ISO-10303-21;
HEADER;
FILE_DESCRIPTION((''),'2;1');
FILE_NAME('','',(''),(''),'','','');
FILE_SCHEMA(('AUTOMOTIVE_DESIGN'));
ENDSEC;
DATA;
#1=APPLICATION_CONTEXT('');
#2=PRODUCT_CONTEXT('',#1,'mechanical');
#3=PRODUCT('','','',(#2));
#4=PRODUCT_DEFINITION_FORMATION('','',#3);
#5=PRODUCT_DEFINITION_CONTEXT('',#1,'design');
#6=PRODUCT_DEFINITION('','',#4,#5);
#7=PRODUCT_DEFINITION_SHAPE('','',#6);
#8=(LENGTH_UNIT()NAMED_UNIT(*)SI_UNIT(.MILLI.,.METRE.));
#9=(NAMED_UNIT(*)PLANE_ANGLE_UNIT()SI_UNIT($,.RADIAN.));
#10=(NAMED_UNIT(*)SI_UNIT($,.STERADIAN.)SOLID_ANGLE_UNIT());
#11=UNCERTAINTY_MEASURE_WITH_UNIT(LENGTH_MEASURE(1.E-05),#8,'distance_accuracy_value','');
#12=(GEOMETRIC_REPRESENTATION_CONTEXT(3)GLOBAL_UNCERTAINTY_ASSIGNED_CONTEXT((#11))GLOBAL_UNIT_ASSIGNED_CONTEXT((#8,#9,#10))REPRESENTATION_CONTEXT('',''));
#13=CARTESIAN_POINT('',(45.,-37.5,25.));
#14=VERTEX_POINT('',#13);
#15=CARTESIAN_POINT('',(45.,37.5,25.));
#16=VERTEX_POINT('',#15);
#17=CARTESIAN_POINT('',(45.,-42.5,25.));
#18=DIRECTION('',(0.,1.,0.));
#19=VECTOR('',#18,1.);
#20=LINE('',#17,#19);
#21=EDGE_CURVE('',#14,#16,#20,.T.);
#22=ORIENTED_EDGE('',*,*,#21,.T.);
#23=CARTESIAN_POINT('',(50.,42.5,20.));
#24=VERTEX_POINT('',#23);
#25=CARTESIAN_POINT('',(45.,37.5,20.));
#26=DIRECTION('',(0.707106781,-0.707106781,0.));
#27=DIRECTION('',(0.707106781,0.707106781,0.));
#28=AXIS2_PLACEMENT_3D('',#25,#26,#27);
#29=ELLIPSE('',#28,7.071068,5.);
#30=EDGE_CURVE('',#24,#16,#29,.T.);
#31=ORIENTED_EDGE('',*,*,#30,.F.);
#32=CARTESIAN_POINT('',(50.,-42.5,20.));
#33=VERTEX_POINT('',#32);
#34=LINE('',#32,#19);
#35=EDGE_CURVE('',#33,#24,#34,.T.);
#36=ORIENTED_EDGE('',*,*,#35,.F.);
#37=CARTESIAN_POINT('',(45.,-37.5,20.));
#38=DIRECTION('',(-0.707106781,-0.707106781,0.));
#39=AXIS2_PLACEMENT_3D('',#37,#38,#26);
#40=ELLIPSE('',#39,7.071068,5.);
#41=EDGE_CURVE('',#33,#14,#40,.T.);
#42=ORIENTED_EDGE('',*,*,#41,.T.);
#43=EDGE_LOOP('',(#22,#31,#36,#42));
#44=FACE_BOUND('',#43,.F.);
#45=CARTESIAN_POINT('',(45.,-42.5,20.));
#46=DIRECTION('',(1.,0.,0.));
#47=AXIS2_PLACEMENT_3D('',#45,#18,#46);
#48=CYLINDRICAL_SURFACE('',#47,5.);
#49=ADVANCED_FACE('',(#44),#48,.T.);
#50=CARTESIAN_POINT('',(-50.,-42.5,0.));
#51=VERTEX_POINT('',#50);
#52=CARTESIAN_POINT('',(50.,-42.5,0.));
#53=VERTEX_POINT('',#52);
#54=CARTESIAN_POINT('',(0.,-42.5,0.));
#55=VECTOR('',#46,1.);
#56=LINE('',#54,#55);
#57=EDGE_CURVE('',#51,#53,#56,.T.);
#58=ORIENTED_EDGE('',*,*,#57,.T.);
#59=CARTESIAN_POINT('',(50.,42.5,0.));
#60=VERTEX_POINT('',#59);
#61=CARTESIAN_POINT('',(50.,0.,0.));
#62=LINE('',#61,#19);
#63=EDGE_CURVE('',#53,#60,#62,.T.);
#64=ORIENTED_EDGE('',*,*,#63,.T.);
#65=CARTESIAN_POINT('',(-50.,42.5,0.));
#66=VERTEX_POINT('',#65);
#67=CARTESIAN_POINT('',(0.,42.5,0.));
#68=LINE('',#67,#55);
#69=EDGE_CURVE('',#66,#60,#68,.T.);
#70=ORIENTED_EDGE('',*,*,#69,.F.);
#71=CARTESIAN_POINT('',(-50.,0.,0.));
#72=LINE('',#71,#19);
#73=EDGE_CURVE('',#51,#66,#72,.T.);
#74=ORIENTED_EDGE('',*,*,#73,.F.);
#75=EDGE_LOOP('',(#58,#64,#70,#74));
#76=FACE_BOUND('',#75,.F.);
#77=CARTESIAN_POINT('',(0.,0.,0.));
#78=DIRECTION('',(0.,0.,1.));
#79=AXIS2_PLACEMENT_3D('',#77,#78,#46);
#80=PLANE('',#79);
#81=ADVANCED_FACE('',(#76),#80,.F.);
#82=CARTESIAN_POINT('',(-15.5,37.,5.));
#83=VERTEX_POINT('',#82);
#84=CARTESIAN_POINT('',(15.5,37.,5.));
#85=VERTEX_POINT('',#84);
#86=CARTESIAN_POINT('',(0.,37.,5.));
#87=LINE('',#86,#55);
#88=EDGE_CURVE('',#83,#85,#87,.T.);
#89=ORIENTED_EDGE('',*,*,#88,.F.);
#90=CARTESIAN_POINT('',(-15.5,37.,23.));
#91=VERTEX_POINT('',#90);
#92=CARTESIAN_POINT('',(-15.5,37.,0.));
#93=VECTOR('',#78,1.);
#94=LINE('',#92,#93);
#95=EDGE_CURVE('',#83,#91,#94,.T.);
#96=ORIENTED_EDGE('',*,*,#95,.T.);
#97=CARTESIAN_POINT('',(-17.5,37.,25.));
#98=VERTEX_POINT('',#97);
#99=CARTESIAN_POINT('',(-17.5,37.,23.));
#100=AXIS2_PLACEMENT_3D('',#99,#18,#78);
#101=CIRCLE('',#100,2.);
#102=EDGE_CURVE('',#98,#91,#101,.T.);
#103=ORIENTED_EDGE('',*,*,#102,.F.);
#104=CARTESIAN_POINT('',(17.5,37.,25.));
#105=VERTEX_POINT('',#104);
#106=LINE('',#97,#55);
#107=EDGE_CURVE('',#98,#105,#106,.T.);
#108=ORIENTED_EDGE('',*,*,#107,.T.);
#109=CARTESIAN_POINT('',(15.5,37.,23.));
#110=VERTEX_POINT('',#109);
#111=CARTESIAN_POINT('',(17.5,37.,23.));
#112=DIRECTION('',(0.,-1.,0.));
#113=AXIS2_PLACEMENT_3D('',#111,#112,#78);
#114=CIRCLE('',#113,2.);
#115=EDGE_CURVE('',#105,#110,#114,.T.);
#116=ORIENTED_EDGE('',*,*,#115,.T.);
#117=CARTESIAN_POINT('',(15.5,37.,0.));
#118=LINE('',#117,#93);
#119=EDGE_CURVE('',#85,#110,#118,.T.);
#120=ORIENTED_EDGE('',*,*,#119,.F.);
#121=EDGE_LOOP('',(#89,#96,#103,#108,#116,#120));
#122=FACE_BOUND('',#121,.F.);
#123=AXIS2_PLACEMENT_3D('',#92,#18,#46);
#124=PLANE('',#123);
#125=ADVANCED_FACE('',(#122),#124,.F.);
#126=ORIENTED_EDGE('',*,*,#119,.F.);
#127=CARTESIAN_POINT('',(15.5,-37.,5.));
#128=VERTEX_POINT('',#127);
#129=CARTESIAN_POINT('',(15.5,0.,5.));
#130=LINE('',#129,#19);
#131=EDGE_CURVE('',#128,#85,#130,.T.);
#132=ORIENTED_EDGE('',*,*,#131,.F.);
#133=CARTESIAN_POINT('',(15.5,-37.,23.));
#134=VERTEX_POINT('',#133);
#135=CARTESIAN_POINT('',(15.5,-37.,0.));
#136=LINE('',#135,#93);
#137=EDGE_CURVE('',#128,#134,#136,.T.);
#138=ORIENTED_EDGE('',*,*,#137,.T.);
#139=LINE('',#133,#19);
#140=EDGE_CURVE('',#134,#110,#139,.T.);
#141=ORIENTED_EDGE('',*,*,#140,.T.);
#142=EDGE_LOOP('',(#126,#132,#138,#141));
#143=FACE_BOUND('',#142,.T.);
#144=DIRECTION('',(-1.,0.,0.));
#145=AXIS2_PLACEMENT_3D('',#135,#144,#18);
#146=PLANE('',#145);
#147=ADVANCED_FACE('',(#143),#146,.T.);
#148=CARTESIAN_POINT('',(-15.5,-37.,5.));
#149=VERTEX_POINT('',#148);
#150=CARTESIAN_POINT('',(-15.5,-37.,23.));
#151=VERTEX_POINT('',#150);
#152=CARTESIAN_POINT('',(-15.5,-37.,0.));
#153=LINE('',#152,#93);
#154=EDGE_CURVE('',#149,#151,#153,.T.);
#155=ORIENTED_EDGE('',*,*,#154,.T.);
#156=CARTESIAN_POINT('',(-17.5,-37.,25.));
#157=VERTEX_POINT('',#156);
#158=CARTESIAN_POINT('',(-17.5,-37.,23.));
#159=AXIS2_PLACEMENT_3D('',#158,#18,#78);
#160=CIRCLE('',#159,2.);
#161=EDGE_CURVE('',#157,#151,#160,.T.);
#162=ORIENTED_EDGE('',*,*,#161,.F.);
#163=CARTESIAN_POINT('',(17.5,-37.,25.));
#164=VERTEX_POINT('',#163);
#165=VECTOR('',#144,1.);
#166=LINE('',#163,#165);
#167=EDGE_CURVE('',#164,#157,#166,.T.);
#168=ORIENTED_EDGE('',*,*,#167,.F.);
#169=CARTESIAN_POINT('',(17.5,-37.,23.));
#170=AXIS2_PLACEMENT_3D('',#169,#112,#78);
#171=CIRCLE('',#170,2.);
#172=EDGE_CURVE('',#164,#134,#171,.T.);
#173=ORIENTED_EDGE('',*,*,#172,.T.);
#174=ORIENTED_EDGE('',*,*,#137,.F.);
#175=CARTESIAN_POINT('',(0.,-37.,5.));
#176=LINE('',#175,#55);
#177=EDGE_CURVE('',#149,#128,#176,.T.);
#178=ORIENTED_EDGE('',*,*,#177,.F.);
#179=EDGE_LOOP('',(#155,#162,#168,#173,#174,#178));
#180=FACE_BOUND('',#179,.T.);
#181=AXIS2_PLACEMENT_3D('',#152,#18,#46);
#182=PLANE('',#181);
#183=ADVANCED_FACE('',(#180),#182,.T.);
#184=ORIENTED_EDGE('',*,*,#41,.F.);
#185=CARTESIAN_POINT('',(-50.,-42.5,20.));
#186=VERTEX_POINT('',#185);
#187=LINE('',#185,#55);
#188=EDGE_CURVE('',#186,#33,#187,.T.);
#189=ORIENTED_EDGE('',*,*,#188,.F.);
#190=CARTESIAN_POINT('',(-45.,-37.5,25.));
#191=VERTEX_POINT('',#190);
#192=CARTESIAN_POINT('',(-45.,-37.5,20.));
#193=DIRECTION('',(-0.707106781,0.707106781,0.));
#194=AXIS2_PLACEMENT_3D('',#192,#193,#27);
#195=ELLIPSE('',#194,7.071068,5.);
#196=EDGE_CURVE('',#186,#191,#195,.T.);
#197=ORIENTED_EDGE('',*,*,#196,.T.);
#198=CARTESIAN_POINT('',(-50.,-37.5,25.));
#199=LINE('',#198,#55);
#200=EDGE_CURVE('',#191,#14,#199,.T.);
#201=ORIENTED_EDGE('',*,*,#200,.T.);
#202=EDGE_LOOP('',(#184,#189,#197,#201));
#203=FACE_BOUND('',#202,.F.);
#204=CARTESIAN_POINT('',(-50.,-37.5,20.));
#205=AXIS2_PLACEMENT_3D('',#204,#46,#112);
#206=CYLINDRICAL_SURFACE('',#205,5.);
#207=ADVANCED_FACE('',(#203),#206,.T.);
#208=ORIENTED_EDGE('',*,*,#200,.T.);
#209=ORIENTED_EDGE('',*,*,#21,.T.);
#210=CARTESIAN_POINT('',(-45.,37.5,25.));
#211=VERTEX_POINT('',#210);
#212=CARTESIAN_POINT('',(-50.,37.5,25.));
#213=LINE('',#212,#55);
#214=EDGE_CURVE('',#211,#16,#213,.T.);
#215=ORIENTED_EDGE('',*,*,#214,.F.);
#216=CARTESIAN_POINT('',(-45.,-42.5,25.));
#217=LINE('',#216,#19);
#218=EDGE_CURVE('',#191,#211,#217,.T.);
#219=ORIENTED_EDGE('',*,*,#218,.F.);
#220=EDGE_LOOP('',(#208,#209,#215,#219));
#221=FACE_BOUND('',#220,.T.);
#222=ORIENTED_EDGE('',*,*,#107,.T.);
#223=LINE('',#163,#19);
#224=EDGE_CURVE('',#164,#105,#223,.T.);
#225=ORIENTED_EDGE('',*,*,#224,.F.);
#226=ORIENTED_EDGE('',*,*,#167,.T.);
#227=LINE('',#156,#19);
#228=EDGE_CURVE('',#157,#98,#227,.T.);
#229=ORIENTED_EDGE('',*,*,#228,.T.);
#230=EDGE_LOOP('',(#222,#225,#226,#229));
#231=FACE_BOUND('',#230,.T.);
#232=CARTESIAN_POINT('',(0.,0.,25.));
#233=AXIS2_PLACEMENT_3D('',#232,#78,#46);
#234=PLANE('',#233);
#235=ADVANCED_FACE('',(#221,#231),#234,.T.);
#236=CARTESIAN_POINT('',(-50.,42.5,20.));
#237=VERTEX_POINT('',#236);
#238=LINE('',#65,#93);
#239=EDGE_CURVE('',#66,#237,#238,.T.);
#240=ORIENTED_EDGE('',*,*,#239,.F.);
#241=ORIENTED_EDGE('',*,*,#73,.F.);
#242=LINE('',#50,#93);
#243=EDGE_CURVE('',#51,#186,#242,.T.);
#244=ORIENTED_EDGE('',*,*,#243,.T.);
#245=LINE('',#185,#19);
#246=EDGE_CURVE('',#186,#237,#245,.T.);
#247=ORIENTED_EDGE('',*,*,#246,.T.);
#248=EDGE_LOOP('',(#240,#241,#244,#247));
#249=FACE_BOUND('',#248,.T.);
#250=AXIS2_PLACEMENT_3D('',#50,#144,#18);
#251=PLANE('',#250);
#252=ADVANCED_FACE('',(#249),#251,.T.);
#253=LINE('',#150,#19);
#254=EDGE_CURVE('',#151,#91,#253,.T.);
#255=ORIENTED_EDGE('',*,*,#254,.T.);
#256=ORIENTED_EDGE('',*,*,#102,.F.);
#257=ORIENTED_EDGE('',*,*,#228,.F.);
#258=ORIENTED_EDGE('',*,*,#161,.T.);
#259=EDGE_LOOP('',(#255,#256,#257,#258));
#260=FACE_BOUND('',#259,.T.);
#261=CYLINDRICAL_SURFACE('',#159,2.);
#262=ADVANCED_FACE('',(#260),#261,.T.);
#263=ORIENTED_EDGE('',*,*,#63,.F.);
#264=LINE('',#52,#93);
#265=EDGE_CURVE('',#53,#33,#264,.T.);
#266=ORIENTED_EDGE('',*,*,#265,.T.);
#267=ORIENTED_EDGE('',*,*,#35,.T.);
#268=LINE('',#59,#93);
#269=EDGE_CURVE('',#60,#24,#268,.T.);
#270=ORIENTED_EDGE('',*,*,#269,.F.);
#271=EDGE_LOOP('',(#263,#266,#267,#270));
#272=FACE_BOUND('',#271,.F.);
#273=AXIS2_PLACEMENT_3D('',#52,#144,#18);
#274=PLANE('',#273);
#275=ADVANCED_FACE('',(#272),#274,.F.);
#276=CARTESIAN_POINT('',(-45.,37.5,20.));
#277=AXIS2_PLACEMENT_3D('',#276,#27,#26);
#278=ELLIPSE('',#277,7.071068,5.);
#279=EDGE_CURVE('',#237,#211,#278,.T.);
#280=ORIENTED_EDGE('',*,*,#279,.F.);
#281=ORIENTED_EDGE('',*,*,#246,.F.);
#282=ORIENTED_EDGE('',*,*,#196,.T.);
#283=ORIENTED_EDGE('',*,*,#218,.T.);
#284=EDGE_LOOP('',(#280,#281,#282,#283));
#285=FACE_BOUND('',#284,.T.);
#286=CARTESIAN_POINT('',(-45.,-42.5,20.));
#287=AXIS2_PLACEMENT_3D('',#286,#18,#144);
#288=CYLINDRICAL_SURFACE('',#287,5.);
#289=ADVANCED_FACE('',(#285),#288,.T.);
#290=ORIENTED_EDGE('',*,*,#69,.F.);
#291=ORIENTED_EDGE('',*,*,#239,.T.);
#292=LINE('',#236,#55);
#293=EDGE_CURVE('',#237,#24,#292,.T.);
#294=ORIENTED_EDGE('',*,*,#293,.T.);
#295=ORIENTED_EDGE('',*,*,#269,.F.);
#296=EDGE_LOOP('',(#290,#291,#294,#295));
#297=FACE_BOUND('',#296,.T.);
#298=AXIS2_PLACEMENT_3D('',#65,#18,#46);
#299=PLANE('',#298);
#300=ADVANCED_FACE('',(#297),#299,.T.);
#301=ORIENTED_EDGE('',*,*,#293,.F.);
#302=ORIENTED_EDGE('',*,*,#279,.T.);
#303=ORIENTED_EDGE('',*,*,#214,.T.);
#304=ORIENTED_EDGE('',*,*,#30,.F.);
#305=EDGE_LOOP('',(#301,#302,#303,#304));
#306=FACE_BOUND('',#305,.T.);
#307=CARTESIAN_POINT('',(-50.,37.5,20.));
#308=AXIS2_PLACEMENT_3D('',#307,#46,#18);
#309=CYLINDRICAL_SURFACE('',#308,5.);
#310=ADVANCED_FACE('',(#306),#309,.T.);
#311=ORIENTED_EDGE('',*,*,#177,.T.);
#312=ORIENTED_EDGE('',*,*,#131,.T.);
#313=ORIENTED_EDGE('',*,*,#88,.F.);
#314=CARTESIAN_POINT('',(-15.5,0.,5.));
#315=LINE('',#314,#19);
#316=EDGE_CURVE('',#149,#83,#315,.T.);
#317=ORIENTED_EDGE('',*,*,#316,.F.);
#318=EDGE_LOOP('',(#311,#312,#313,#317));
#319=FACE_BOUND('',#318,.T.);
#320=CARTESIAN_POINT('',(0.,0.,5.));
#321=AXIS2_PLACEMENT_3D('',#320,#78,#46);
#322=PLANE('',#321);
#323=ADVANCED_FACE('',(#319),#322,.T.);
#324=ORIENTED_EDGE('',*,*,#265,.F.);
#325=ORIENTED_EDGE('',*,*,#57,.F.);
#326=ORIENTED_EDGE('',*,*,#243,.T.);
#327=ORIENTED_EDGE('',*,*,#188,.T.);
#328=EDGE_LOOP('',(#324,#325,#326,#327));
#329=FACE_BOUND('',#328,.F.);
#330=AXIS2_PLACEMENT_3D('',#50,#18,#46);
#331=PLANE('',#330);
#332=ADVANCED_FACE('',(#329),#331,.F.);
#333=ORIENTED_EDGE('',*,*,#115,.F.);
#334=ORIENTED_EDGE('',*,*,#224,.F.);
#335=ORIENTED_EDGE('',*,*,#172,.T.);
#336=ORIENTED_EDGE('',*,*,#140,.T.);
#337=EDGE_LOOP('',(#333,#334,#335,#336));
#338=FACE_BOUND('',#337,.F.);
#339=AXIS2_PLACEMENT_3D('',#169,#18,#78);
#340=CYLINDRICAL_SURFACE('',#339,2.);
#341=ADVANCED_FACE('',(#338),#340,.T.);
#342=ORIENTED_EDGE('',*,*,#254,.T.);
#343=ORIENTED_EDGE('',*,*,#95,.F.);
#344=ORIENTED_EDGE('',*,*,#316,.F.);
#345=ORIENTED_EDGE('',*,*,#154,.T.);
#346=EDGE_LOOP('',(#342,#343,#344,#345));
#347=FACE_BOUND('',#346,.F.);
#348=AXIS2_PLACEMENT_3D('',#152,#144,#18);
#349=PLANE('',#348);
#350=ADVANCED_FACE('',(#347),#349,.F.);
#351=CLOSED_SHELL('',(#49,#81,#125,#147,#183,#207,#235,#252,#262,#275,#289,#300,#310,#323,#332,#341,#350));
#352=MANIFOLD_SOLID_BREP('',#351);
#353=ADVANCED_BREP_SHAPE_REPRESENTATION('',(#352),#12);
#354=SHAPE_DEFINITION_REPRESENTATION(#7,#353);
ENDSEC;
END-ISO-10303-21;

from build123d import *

# Parameters (mm, degrees)
F0_W     = 100
F0_H     = 85
F0_W_2   = 31
F0_H_2   = 74
F1_DEPTH = 25
F2_DEPTH = 5
F3_R     = 5
F4_R     = 2


with BuildPart() as f1:
    # F0 (on Top) → F1 (new body)
    with BuildSketch(Plane.XY):
        Rectangle(F0_W, F0_H)
        Rectangle(F0_W_2, F0_H_2, mode=Mode.SUBTRACT)
    extrude(amount=F1_DEPTH)

    # F0 (on Top) → F2 (join)
    with BuildSketch(Plane.XY):
        Rectangle(F0_W_2, F0_H_2)
    extrude(amount=F2_DEPTH)

    # F3
    f3_edges = [f1.edges().sort_by_distance(p)[0] for p in [
        (0, 42.5, 25),
        (-50, 0, 25),
        (0, -42.5, 25),
        (50, 0, 25),
    ]]
    fillet(f3_edges, radius=F3_R)

    # F4
    f4_edges = [f1.edges().sort_by_distance(p)[0] for p in [
        (-15.5, 0, 25),
        (15.5, 0, 25),
    ]]
    fillet(f4_edges, radius=F4_R)


solid = f1.part
